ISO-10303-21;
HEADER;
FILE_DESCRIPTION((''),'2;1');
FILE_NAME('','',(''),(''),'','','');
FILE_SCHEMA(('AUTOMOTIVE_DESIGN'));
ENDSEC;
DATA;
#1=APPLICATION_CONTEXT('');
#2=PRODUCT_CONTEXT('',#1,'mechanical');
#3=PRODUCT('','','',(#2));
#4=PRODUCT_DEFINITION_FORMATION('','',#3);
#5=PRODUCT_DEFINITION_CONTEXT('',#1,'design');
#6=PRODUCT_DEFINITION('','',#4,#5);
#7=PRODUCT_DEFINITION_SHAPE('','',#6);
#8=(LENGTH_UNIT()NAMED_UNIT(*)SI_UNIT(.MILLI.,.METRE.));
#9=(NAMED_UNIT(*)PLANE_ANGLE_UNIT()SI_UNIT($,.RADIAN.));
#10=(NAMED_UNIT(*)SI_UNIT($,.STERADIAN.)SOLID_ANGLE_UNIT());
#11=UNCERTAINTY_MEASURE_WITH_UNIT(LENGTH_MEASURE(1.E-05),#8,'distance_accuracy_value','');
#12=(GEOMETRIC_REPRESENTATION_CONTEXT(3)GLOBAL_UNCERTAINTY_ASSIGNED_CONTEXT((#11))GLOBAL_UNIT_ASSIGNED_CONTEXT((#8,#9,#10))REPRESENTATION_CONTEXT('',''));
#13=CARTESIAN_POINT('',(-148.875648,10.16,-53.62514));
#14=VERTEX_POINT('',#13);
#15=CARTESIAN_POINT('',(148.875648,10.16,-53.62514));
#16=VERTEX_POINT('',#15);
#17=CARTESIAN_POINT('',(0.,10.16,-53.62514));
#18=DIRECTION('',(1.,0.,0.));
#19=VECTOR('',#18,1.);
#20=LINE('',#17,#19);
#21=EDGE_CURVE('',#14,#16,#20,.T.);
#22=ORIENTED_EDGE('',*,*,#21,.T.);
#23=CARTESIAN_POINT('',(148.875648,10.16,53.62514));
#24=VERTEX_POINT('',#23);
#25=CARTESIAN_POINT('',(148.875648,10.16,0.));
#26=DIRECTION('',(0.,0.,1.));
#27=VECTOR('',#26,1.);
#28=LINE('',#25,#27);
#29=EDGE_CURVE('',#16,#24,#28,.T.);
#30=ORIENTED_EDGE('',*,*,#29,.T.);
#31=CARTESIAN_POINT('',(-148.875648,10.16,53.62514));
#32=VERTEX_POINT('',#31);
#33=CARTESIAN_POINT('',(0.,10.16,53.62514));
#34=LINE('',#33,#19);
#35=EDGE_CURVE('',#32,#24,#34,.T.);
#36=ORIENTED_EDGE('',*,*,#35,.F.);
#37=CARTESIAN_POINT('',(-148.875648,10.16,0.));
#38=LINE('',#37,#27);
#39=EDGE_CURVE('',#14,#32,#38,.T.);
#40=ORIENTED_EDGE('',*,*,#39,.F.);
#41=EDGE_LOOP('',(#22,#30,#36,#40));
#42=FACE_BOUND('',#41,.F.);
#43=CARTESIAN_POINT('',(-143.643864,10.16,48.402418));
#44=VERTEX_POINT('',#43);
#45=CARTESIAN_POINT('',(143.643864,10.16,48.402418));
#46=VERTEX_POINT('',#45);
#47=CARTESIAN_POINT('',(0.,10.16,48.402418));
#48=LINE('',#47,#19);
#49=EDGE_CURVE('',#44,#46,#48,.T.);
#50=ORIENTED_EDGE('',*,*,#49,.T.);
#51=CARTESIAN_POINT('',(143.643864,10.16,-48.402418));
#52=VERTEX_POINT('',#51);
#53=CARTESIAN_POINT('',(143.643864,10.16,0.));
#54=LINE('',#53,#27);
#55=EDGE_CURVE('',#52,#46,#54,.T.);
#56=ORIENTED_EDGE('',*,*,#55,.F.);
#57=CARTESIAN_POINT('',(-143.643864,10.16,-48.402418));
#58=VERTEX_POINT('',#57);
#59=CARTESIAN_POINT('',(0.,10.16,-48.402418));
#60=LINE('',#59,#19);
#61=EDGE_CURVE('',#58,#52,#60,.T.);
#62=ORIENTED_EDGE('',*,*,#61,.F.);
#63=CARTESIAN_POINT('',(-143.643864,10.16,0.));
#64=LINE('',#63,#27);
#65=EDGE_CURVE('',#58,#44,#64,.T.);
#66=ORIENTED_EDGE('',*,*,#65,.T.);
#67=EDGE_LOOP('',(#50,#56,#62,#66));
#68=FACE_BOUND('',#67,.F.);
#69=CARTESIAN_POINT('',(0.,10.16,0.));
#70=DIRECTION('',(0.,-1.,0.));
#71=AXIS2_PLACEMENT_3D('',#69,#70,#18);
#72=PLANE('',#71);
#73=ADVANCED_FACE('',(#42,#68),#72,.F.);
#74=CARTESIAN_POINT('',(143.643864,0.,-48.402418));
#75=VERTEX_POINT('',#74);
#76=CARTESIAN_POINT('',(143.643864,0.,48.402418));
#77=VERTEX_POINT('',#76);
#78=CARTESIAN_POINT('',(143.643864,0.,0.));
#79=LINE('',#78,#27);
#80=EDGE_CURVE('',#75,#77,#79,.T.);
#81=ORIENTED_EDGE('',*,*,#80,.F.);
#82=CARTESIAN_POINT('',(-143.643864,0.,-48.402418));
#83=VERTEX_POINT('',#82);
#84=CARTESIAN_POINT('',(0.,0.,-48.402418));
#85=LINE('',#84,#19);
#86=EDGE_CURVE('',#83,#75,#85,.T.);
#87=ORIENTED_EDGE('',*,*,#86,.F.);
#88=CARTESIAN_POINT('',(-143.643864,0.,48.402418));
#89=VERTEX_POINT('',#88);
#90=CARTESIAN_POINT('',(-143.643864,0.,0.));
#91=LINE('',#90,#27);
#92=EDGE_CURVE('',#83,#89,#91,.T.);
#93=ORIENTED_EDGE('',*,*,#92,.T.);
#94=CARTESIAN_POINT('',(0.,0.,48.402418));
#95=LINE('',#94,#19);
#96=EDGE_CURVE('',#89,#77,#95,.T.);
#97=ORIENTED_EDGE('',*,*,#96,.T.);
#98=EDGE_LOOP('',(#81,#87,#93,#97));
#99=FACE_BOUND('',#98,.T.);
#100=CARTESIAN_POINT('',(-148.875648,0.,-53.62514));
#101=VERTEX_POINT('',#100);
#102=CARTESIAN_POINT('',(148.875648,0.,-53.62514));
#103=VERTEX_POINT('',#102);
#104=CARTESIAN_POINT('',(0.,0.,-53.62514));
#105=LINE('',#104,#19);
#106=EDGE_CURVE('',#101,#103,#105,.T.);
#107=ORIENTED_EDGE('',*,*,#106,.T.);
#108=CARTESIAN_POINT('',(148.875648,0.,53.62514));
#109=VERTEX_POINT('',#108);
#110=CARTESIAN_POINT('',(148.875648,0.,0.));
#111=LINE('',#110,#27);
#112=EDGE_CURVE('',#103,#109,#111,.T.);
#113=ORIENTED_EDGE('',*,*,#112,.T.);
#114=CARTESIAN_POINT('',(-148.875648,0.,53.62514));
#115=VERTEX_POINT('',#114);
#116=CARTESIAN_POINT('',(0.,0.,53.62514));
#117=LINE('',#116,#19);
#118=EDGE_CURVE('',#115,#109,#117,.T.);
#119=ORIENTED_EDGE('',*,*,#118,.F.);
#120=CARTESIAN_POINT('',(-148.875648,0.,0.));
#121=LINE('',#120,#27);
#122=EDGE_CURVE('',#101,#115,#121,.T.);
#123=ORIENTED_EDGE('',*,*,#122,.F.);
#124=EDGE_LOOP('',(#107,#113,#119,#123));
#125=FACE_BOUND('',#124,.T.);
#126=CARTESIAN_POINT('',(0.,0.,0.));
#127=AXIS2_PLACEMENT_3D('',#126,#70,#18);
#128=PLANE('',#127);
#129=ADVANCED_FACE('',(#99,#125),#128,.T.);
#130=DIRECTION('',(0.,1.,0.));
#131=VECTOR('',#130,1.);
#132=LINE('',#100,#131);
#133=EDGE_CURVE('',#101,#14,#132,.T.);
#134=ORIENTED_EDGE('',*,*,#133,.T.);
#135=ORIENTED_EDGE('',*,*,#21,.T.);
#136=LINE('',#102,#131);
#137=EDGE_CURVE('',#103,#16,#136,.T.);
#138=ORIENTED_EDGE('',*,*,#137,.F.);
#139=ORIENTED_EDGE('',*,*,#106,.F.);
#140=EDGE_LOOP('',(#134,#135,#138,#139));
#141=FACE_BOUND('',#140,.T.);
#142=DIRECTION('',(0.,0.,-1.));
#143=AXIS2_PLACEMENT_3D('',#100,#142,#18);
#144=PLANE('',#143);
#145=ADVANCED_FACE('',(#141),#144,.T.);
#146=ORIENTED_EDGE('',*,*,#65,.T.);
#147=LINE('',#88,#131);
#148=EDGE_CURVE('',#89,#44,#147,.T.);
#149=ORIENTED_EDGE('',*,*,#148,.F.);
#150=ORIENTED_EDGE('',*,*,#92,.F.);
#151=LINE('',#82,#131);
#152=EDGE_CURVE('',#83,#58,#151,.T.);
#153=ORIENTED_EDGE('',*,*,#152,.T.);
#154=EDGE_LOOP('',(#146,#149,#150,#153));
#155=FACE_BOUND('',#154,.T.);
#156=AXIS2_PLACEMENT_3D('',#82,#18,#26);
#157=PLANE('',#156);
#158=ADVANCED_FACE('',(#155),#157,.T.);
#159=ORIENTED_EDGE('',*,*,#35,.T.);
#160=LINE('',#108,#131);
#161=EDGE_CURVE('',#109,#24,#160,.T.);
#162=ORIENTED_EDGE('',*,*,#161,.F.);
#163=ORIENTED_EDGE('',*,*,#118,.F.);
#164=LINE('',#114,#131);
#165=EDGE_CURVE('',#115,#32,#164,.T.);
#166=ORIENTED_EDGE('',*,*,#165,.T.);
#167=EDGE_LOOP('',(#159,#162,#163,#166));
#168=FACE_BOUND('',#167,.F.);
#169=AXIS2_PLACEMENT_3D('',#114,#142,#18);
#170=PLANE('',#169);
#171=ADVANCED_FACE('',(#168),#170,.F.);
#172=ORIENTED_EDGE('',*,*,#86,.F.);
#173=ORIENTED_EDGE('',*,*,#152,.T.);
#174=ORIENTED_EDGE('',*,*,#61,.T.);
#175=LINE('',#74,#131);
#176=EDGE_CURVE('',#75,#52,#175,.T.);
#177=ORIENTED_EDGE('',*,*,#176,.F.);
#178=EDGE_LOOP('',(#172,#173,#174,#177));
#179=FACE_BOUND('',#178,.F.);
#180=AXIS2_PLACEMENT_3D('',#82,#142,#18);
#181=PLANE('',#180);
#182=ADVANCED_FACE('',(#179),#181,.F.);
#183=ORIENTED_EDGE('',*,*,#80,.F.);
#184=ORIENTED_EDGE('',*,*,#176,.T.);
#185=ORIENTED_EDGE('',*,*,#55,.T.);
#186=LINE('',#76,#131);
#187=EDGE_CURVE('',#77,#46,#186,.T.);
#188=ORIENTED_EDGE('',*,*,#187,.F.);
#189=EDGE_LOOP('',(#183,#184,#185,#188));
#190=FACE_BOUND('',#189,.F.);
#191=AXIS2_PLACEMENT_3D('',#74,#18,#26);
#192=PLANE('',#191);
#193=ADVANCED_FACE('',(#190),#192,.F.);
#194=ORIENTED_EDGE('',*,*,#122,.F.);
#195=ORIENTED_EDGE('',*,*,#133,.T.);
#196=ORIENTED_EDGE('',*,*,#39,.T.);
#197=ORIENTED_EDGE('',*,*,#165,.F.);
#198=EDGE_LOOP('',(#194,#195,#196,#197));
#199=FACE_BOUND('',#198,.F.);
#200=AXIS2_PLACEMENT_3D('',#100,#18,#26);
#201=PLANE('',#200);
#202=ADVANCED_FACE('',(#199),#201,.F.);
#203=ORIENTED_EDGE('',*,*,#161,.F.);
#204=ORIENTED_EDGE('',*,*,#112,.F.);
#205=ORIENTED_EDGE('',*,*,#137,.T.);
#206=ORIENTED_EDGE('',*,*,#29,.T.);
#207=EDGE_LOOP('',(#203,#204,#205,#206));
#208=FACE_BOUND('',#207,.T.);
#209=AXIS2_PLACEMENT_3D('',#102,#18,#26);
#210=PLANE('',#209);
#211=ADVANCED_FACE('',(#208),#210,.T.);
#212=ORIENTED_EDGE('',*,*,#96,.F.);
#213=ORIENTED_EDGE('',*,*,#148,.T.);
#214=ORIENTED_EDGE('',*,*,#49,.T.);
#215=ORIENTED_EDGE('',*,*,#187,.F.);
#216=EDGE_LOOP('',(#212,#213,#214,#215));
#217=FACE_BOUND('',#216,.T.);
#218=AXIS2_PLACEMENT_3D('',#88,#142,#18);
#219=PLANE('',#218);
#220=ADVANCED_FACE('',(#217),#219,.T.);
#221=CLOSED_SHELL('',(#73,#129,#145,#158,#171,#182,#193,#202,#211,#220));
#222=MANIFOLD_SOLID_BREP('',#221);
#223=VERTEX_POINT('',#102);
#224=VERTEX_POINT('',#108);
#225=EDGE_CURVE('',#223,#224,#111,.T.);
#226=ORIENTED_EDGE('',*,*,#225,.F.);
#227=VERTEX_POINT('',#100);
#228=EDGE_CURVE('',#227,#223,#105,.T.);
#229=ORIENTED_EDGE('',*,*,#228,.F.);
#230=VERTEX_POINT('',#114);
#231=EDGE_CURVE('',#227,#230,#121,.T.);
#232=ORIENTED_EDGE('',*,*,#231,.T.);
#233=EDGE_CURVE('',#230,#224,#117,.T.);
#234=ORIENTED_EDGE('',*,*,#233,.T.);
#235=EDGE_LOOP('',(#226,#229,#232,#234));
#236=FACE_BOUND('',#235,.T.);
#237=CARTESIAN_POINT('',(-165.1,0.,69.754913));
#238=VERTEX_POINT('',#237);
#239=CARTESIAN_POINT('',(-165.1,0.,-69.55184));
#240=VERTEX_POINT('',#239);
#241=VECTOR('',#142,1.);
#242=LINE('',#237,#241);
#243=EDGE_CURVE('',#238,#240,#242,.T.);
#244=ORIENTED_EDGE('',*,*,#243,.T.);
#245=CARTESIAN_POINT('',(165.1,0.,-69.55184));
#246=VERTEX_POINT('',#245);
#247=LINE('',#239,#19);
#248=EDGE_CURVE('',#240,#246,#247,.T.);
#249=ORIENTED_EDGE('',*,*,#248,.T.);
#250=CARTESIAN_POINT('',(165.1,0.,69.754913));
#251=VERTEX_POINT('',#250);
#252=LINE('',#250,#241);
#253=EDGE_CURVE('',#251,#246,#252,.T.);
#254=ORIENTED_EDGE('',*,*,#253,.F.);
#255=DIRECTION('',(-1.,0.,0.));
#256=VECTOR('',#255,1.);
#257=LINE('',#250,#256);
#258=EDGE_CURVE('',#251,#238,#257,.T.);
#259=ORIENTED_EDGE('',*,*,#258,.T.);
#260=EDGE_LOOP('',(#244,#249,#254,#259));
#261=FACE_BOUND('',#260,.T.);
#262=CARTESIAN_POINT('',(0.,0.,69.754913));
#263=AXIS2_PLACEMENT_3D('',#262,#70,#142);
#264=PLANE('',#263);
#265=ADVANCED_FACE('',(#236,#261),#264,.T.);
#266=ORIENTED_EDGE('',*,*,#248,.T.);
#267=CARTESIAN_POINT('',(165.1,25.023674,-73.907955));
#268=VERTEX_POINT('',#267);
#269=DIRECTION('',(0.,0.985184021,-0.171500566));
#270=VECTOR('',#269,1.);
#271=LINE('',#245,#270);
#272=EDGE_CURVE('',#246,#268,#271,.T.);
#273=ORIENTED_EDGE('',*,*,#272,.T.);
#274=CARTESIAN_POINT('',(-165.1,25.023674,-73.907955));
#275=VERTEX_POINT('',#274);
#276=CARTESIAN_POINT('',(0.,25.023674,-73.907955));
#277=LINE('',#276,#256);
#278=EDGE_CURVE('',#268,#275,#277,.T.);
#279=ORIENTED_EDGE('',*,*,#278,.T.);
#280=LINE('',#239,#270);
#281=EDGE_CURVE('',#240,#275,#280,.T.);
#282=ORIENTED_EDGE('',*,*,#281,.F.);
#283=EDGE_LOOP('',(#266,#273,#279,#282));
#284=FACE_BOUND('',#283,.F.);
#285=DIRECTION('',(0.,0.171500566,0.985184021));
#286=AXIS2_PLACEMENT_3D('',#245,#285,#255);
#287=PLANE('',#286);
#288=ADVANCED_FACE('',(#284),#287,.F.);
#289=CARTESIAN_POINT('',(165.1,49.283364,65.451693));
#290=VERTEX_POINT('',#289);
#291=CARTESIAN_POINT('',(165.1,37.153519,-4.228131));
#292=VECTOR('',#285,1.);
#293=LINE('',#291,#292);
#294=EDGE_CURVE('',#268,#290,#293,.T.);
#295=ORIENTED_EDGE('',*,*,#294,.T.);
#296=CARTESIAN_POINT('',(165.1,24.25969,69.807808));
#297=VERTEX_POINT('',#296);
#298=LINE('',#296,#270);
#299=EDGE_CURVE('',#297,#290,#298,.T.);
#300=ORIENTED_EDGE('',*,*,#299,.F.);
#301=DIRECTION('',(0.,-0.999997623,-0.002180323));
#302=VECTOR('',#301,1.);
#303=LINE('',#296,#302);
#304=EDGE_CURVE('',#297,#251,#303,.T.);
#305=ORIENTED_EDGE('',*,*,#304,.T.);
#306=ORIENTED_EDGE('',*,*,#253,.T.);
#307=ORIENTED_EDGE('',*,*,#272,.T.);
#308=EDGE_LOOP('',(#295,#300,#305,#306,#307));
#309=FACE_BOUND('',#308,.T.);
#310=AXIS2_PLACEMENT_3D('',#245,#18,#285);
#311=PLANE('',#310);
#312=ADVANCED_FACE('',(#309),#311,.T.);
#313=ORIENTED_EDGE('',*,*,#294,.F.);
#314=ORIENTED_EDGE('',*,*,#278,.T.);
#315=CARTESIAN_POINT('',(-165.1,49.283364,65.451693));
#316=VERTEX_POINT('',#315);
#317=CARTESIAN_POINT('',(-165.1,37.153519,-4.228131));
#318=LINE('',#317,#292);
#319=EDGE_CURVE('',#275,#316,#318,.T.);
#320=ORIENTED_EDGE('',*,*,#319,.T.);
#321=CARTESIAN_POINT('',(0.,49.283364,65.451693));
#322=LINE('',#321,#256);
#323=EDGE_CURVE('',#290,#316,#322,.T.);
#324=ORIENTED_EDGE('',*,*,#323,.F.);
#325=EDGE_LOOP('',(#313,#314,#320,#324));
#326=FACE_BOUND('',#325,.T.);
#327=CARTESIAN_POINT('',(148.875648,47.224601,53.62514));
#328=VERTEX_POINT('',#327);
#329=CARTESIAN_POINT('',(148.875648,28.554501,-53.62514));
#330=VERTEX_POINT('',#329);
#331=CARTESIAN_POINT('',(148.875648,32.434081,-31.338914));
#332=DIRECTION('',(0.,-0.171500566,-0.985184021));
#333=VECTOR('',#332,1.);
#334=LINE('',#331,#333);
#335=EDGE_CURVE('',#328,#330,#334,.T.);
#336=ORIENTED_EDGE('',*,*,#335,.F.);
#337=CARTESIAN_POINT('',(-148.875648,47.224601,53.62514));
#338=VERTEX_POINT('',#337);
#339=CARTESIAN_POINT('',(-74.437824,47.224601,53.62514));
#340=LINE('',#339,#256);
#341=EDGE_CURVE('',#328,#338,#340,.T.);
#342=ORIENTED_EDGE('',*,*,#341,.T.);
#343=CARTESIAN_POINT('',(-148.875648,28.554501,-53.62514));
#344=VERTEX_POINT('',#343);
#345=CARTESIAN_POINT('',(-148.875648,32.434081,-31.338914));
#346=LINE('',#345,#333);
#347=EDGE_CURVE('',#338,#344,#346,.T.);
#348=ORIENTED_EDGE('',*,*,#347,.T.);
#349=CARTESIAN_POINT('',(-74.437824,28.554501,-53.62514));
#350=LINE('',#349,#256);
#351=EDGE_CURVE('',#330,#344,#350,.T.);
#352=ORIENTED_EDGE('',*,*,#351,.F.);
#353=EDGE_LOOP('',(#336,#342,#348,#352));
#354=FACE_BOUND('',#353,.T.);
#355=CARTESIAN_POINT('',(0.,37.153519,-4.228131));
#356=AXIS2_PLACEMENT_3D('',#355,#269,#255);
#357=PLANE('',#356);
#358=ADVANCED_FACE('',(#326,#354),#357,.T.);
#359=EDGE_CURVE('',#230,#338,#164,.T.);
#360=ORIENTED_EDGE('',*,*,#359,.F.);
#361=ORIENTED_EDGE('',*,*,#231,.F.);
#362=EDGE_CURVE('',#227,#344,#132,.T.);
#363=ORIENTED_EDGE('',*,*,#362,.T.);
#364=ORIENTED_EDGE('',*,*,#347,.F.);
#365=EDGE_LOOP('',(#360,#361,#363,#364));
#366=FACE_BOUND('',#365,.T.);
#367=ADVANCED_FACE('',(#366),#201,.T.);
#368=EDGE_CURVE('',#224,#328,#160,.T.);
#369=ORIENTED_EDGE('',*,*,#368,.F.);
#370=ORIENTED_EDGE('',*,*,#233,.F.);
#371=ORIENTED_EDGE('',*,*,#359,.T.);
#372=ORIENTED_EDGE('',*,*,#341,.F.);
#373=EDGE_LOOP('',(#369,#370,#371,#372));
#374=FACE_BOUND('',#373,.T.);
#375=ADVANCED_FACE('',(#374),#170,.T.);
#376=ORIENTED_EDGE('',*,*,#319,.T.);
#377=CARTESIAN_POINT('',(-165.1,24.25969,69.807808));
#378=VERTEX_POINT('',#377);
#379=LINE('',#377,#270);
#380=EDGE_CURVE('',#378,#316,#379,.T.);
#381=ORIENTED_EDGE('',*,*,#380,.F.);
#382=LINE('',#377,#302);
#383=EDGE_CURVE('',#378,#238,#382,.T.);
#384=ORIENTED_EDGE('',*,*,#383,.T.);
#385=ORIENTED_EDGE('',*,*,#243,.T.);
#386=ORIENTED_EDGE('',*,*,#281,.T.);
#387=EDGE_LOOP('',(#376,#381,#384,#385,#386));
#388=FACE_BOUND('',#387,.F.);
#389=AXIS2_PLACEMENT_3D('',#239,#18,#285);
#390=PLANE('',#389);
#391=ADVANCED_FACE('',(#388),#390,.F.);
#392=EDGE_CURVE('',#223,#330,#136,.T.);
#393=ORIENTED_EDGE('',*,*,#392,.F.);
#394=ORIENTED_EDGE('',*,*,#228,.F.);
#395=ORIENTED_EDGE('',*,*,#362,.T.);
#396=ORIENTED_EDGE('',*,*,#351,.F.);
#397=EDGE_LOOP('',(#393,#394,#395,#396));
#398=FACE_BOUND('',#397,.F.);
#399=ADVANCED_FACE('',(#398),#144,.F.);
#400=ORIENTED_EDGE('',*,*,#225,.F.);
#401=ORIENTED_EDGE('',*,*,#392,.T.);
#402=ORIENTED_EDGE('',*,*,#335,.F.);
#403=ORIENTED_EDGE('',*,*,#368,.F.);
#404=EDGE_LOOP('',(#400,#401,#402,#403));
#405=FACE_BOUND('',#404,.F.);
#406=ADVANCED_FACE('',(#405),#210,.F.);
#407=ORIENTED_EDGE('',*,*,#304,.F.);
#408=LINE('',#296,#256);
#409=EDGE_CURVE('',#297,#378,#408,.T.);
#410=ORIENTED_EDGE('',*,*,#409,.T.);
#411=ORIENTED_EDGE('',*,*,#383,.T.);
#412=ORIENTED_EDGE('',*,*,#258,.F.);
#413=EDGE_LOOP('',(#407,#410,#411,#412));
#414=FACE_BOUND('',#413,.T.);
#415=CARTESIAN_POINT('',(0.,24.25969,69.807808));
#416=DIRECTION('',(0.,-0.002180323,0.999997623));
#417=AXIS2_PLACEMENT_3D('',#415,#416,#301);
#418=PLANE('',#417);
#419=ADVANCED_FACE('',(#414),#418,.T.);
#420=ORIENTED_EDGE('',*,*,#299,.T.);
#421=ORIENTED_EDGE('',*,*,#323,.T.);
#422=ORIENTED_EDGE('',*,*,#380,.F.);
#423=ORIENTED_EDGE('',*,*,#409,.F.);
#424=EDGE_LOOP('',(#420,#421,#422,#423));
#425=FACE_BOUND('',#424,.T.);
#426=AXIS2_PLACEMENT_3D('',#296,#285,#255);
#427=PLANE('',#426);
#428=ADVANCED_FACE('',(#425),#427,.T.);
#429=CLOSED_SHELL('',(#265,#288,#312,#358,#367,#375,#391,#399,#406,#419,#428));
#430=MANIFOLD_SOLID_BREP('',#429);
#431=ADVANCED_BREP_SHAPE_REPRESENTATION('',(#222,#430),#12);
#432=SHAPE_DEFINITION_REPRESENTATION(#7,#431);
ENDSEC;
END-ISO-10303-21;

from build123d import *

# Parameters (mm, degrees)
F2_DEPTH      = 165.1
F2_DEPTH_BACK = 165.1
F3_W          = 330.2
F3_H          = 141.4554488717
F4_DEPTH      = 25.4
F0_W          = 297.7512968
F0_H          = 107.2502808
F0_W_2        = 287.2877287
F0_H_2        = 96.8048356
F5_DEPTH      = 49.284363677
F6_DEPTH      = 10.16
F7_DEPTH      = 49.284363677


with BuildPart() as f2:
    # F1 (on Right) → F2 (new body, two sides)
    with BuildSketch(Plane.YZ) as f2_sk:
        Polygon((0, 69.7549134493), (0, -69.5518404245), (24.2596895352, 69.807807534), align=None)
    extrude(amount=F2_DEPTH)
    extrude(f2_sk.sketch, amount=-F2_DEPTH_BACK)

    # F3 (on face) → F4 (join)
    with BuildSketch(Plane(origin=(0, 11.7514523339, -2.0456896195), x_dir=(-1, 0, 0), z_dir=(0, 0.9851840213, -0.1715005659))):
        with Locations((0, 2.2063625954)):
            Rectangle(F3_W, F3_H)
    extrude(amount=F4_DEPTH)

    # F0 (on Front) → F5 (cut, through all)
    with BuildSketch(Plane.XZ):
        Rectangle(F0_W, F0_H)
        Rectangle(F0_W_2, F0_H_2, mode=Mode.SUBTRACT)
    extrude(amount=-F5_DEPTH, mode=Mode.SUBTRACT)

    # F0 (on Front) → F7 (cut, through all)
    with BuildSketch(Plane.XZ):
        Rectangle(F0_W_2, F0_H_2)
    extrude(amount=-F7_DEPTH, mode=Mode.SUBTRACT)


with BuildPart() as f6:
    # F0 (on Front) → F6 (new body)
    with BuildSketch(Plane.XZ):
        Rectangle(F0_W, F0_H)
        Rectangle(F0_W_2, F0_H_2, mode=Mode.SUBTRACT)
    extrude(amount=-F6_DEPTH)


solid = Compound([f2.part, f6.part])
